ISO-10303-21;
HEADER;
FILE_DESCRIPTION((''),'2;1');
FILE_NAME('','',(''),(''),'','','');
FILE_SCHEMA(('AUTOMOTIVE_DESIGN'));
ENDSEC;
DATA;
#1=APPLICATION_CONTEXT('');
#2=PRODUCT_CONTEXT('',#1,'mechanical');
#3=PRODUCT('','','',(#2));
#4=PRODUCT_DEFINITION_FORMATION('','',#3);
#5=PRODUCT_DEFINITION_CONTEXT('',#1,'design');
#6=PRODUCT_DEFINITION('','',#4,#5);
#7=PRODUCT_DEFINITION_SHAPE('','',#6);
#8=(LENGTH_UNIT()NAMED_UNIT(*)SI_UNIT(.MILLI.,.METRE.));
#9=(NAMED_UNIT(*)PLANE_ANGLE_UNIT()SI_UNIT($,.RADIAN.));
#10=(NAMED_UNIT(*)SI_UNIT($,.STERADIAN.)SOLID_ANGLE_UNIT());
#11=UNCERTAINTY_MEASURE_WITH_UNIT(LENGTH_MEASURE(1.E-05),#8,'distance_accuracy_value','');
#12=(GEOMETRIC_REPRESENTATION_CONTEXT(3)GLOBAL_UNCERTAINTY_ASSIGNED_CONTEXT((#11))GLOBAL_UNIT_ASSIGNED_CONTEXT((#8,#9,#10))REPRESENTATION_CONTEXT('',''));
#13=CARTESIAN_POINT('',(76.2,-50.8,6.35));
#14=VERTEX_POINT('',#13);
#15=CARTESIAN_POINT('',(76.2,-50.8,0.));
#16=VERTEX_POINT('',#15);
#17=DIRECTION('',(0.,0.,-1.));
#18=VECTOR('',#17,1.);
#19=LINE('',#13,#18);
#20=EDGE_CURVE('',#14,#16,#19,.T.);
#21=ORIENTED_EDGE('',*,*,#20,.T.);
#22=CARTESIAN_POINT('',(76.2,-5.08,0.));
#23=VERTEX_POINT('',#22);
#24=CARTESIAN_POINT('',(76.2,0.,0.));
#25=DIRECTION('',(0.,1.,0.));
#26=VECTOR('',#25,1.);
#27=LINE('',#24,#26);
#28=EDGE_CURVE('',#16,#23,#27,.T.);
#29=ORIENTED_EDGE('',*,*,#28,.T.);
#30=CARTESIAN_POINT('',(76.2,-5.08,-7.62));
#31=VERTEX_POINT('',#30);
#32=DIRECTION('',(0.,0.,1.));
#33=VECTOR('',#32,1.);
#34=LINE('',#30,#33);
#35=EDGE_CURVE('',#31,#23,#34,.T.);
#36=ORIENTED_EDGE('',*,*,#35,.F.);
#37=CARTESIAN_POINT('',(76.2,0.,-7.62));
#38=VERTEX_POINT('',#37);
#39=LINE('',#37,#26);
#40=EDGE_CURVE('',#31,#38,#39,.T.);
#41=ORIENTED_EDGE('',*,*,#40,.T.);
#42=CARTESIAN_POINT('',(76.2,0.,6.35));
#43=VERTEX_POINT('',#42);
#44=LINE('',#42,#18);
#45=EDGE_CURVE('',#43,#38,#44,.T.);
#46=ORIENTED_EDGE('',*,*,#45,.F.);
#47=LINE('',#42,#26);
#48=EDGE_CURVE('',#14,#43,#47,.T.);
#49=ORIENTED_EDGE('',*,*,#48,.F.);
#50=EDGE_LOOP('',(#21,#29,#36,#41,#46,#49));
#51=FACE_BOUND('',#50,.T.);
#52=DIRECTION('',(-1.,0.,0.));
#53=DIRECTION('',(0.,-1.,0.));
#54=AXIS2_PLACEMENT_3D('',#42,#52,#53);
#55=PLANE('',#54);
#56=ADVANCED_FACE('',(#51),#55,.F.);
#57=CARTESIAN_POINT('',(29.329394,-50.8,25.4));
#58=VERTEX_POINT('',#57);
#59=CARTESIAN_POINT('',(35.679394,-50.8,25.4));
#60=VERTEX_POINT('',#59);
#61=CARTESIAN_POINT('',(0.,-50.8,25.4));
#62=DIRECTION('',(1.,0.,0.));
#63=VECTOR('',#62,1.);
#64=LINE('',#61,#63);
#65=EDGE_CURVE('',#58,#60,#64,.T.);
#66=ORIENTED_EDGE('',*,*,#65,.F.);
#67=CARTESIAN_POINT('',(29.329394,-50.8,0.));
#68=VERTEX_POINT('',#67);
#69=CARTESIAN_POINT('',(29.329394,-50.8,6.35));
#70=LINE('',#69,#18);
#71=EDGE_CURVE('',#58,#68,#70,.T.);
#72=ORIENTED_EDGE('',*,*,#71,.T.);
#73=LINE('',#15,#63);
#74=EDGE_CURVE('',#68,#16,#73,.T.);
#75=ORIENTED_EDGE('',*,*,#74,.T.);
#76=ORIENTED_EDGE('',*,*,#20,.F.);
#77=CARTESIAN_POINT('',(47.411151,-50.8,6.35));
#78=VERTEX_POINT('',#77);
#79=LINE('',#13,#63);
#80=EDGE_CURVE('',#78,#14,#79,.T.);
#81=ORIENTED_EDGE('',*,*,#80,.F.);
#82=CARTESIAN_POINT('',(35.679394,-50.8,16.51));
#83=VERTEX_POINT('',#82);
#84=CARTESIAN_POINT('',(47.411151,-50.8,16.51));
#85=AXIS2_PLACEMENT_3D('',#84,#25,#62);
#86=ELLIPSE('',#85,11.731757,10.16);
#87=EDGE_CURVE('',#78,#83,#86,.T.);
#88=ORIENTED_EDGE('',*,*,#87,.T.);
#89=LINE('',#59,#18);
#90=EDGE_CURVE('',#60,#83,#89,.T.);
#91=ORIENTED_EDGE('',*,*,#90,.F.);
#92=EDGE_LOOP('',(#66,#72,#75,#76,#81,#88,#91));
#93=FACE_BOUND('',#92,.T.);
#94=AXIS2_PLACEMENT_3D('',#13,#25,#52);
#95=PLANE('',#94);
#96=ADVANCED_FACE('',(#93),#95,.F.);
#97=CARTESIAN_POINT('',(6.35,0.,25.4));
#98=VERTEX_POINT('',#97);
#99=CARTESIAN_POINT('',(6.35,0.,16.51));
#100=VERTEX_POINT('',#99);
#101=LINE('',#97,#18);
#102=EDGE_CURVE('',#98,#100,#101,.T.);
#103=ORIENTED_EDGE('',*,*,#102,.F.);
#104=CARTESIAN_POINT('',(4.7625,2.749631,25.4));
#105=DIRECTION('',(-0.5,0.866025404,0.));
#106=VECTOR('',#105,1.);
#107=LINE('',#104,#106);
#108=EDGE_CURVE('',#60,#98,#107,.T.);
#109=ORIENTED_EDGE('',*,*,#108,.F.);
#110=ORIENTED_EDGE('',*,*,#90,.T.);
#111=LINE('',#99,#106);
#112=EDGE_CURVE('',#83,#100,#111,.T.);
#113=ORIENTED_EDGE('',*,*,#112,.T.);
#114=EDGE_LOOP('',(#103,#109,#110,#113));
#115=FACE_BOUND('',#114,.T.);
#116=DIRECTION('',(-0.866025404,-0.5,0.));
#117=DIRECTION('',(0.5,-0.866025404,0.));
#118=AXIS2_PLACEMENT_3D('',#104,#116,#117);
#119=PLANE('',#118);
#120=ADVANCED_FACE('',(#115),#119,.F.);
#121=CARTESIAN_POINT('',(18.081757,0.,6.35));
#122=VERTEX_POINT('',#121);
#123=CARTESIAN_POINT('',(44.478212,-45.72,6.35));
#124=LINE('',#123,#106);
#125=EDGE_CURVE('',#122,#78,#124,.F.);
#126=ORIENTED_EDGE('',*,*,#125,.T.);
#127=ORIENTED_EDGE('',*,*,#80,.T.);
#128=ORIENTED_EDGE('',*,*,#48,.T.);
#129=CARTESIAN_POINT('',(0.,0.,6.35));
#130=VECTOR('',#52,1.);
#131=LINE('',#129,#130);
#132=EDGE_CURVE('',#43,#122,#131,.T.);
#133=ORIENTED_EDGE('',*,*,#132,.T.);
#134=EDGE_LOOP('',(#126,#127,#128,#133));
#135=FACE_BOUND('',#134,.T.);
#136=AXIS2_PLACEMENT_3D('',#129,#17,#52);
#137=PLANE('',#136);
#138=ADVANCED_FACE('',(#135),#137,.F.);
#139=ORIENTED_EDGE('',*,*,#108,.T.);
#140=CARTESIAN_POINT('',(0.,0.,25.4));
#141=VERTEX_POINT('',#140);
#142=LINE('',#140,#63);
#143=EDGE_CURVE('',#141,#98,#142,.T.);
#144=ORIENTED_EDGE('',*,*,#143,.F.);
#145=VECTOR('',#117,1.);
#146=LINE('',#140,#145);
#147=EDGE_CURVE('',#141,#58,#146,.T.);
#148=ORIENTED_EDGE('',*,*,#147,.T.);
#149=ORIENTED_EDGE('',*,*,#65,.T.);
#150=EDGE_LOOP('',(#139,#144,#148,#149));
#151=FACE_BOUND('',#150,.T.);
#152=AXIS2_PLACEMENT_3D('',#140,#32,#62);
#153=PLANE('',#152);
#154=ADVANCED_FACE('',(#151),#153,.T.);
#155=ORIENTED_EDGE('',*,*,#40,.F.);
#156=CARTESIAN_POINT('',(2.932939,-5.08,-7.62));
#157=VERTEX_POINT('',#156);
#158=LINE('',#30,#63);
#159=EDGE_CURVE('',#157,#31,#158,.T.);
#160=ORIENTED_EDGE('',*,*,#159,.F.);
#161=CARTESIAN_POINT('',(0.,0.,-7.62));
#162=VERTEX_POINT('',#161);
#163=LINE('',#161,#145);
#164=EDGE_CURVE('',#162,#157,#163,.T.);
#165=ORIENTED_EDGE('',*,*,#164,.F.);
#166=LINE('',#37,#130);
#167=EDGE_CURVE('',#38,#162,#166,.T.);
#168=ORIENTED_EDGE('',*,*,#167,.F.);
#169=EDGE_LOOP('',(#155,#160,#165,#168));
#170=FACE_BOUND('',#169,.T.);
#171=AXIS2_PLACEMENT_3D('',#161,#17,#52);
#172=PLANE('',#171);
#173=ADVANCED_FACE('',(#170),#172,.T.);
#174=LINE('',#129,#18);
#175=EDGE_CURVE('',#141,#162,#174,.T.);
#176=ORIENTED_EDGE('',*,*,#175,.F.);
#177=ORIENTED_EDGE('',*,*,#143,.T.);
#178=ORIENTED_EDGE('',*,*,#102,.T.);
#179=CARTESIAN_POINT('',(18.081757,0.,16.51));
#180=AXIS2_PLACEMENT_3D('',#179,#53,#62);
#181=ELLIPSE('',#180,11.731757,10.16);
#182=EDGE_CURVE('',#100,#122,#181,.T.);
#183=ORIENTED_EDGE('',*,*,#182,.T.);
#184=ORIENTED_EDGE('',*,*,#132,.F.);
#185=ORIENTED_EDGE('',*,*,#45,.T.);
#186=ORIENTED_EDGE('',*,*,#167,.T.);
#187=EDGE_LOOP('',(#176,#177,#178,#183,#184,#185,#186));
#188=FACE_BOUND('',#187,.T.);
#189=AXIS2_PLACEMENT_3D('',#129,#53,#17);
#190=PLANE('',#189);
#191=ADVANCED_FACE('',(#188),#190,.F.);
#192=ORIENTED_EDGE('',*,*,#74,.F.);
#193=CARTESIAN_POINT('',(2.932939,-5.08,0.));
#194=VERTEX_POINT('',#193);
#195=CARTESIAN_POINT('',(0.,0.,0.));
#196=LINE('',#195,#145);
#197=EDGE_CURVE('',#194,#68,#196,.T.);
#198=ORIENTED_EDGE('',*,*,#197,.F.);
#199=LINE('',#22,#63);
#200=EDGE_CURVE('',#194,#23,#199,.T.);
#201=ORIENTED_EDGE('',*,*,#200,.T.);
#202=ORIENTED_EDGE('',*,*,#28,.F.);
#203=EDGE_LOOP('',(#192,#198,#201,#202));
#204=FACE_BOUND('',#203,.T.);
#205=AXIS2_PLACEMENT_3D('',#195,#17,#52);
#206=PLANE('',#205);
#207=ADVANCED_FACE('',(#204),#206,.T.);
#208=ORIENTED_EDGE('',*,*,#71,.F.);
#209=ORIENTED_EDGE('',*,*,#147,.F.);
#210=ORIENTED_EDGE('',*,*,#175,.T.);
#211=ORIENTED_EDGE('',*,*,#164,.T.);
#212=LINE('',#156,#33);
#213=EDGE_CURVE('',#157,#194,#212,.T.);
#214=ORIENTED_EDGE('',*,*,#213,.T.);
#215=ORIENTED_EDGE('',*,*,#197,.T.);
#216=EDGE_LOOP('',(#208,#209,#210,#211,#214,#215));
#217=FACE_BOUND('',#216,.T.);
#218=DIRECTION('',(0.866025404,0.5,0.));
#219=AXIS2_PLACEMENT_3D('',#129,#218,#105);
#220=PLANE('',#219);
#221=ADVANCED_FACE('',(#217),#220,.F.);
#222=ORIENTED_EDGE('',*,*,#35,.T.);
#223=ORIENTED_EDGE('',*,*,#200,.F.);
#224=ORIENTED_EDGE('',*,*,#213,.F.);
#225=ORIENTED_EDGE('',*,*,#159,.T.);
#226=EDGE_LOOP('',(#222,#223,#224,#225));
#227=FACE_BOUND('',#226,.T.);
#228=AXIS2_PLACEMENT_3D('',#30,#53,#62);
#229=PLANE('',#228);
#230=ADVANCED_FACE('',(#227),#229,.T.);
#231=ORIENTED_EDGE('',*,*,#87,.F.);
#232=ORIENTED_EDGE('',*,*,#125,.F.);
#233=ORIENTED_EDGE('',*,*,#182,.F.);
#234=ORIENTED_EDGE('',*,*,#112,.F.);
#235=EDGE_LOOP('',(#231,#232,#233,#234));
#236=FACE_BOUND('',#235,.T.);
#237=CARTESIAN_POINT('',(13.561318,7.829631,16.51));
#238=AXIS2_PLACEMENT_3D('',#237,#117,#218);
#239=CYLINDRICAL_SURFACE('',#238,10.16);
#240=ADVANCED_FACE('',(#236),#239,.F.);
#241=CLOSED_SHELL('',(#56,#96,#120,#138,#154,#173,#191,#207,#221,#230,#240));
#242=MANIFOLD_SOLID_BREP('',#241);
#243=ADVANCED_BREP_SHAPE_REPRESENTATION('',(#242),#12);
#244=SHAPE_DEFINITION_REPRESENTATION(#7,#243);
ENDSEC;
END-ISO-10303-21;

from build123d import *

# Parameters (mm, degrees)
BOSS_EXTRUDE1_DEPTH = 6.35
BOSS_EXTRUDE2_DEPTH = 7.62
BOSS_EXTRUDE3_DEPTH = 19.05
FILLET1_R           = 10.16


with BuildPart() as part:
    # Sketch1 → Boss-Extrude1 (new body)
    with BuildSketch(Plane.XY):
        Polygon((0, 0), (76.2, 0), (76.2, -50.8), (29.329393675, -50.8), align=None)
    extrude(amount=BOSS_EXTRUDE1_DEPTH)

    # Sketch2 → Boss-Extrude2 (add)
    with BuildSketch(Plane.XY):
        Polygon((76.2, 0), (0, 0), (2.932939367, -5.08), (76.2, -5.08), align=None)
    extrude(amount=-BOSS_EXTRUDE2_DEPTH)

    # Sketch3 → Boss-Extrude3 (add)
    with BuildSketch(Plane.XY.offset(6.35)):
        Polygon((29.329393675, -50.8), (35.679393675, -50.8), (6.35, 0), (0, 0), align=None)
    extrude(amount=BOSS_EXTRUDE3_DEPTH)

    # Fillet1
    fillet1_edges = [part.edges().sort_by_distance(p)[0] for p in [
        (21.014696837, -25.4, 6.35),
    ]]
    fillet(fillet1_edges, radius=FILLET1_R)


solid = part.part
